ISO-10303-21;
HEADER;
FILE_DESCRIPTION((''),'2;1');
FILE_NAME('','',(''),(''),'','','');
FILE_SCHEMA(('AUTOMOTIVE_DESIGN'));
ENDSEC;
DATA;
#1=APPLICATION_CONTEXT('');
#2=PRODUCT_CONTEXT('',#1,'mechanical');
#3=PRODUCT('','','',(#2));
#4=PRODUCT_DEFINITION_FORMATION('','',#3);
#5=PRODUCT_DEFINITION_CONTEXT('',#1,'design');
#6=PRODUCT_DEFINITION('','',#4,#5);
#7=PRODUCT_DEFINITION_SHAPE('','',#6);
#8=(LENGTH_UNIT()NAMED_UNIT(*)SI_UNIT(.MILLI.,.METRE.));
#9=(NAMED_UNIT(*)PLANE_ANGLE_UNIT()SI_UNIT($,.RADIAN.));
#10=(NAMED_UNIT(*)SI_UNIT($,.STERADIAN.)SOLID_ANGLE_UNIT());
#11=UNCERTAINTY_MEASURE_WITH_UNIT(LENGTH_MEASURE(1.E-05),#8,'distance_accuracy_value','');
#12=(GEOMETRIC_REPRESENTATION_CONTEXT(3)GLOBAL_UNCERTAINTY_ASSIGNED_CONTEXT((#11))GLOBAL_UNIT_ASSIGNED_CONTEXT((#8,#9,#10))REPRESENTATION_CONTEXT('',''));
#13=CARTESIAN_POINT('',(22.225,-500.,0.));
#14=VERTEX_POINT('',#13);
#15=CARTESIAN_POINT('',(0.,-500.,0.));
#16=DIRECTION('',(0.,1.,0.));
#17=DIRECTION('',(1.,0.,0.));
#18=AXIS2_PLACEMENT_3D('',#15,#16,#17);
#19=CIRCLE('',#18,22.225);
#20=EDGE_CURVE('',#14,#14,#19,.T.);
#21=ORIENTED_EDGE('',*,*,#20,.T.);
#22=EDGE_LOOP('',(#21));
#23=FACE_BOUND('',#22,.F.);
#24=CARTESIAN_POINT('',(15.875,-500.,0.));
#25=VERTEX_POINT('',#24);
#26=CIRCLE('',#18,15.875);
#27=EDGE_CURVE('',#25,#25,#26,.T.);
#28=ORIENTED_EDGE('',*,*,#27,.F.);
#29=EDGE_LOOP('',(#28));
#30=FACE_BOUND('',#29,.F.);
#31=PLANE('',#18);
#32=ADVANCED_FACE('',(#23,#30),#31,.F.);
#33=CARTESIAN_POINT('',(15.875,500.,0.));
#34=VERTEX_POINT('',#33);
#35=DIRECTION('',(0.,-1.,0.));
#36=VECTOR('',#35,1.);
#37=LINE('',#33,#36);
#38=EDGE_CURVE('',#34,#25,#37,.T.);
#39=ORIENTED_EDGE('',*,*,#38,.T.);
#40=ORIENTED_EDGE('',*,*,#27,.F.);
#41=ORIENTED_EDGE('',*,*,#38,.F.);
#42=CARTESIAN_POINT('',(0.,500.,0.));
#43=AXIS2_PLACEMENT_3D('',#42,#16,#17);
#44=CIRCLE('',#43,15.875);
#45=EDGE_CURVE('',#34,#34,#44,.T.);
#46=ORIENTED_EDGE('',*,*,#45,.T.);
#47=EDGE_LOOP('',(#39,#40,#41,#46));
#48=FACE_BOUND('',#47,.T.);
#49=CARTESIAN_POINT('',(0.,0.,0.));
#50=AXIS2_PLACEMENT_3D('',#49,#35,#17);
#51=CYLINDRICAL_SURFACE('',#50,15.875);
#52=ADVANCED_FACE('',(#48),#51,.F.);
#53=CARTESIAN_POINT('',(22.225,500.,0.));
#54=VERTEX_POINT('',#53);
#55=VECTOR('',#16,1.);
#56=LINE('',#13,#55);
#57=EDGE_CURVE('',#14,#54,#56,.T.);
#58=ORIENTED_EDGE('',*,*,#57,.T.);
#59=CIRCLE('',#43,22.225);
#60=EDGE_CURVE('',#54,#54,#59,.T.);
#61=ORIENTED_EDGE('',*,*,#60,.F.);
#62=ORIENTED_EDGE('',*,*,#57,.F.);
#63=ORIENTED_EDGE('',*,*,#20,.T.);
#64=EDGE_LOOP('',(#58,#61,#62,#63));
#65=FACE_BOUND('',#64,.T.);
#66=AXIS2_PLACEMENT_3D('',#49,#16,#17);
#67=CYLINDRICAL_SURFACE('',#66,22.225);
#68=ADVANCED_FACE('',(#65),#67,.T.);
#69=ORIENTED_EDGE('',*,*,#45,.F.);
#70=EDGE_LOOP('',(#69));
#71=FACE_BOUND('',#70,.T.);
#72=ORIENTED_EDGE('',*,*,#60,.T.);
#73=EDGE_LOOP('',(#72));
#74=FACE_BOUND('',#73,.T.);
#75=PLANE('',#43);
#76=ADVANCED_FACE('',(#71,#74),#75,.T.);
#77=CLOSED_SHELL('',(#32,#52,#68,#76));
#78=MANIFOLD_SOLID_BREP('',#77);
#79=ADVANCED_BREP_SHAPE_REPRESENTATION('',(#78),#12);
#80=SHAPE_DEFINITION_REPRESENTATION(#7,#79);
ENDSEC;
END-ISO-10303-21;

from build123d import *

# Parameters (mm, degrees)
SKETCH1_R           = 22.225
SKETCH1_R_2         = 15.875
BOSS_EXTRUDE1_DEPTH = 500


with BuildPart() as part:
    # Sketch1 → Boss-Extrude1 (new body, symmetric)
    with BuildSketch(Plane(origin=(0, 0, 0), x_dir=(1, 0, 0), z_dir=(0, 1, 0))):
        Circle(SKETCH1_R)
        Circle(SKETCH1_R_2, mode=Mode.SUBTRACT)
    extrude(amount=BOSS_EXTRUDE1_DEPTH, both=True)


solid = part.part
